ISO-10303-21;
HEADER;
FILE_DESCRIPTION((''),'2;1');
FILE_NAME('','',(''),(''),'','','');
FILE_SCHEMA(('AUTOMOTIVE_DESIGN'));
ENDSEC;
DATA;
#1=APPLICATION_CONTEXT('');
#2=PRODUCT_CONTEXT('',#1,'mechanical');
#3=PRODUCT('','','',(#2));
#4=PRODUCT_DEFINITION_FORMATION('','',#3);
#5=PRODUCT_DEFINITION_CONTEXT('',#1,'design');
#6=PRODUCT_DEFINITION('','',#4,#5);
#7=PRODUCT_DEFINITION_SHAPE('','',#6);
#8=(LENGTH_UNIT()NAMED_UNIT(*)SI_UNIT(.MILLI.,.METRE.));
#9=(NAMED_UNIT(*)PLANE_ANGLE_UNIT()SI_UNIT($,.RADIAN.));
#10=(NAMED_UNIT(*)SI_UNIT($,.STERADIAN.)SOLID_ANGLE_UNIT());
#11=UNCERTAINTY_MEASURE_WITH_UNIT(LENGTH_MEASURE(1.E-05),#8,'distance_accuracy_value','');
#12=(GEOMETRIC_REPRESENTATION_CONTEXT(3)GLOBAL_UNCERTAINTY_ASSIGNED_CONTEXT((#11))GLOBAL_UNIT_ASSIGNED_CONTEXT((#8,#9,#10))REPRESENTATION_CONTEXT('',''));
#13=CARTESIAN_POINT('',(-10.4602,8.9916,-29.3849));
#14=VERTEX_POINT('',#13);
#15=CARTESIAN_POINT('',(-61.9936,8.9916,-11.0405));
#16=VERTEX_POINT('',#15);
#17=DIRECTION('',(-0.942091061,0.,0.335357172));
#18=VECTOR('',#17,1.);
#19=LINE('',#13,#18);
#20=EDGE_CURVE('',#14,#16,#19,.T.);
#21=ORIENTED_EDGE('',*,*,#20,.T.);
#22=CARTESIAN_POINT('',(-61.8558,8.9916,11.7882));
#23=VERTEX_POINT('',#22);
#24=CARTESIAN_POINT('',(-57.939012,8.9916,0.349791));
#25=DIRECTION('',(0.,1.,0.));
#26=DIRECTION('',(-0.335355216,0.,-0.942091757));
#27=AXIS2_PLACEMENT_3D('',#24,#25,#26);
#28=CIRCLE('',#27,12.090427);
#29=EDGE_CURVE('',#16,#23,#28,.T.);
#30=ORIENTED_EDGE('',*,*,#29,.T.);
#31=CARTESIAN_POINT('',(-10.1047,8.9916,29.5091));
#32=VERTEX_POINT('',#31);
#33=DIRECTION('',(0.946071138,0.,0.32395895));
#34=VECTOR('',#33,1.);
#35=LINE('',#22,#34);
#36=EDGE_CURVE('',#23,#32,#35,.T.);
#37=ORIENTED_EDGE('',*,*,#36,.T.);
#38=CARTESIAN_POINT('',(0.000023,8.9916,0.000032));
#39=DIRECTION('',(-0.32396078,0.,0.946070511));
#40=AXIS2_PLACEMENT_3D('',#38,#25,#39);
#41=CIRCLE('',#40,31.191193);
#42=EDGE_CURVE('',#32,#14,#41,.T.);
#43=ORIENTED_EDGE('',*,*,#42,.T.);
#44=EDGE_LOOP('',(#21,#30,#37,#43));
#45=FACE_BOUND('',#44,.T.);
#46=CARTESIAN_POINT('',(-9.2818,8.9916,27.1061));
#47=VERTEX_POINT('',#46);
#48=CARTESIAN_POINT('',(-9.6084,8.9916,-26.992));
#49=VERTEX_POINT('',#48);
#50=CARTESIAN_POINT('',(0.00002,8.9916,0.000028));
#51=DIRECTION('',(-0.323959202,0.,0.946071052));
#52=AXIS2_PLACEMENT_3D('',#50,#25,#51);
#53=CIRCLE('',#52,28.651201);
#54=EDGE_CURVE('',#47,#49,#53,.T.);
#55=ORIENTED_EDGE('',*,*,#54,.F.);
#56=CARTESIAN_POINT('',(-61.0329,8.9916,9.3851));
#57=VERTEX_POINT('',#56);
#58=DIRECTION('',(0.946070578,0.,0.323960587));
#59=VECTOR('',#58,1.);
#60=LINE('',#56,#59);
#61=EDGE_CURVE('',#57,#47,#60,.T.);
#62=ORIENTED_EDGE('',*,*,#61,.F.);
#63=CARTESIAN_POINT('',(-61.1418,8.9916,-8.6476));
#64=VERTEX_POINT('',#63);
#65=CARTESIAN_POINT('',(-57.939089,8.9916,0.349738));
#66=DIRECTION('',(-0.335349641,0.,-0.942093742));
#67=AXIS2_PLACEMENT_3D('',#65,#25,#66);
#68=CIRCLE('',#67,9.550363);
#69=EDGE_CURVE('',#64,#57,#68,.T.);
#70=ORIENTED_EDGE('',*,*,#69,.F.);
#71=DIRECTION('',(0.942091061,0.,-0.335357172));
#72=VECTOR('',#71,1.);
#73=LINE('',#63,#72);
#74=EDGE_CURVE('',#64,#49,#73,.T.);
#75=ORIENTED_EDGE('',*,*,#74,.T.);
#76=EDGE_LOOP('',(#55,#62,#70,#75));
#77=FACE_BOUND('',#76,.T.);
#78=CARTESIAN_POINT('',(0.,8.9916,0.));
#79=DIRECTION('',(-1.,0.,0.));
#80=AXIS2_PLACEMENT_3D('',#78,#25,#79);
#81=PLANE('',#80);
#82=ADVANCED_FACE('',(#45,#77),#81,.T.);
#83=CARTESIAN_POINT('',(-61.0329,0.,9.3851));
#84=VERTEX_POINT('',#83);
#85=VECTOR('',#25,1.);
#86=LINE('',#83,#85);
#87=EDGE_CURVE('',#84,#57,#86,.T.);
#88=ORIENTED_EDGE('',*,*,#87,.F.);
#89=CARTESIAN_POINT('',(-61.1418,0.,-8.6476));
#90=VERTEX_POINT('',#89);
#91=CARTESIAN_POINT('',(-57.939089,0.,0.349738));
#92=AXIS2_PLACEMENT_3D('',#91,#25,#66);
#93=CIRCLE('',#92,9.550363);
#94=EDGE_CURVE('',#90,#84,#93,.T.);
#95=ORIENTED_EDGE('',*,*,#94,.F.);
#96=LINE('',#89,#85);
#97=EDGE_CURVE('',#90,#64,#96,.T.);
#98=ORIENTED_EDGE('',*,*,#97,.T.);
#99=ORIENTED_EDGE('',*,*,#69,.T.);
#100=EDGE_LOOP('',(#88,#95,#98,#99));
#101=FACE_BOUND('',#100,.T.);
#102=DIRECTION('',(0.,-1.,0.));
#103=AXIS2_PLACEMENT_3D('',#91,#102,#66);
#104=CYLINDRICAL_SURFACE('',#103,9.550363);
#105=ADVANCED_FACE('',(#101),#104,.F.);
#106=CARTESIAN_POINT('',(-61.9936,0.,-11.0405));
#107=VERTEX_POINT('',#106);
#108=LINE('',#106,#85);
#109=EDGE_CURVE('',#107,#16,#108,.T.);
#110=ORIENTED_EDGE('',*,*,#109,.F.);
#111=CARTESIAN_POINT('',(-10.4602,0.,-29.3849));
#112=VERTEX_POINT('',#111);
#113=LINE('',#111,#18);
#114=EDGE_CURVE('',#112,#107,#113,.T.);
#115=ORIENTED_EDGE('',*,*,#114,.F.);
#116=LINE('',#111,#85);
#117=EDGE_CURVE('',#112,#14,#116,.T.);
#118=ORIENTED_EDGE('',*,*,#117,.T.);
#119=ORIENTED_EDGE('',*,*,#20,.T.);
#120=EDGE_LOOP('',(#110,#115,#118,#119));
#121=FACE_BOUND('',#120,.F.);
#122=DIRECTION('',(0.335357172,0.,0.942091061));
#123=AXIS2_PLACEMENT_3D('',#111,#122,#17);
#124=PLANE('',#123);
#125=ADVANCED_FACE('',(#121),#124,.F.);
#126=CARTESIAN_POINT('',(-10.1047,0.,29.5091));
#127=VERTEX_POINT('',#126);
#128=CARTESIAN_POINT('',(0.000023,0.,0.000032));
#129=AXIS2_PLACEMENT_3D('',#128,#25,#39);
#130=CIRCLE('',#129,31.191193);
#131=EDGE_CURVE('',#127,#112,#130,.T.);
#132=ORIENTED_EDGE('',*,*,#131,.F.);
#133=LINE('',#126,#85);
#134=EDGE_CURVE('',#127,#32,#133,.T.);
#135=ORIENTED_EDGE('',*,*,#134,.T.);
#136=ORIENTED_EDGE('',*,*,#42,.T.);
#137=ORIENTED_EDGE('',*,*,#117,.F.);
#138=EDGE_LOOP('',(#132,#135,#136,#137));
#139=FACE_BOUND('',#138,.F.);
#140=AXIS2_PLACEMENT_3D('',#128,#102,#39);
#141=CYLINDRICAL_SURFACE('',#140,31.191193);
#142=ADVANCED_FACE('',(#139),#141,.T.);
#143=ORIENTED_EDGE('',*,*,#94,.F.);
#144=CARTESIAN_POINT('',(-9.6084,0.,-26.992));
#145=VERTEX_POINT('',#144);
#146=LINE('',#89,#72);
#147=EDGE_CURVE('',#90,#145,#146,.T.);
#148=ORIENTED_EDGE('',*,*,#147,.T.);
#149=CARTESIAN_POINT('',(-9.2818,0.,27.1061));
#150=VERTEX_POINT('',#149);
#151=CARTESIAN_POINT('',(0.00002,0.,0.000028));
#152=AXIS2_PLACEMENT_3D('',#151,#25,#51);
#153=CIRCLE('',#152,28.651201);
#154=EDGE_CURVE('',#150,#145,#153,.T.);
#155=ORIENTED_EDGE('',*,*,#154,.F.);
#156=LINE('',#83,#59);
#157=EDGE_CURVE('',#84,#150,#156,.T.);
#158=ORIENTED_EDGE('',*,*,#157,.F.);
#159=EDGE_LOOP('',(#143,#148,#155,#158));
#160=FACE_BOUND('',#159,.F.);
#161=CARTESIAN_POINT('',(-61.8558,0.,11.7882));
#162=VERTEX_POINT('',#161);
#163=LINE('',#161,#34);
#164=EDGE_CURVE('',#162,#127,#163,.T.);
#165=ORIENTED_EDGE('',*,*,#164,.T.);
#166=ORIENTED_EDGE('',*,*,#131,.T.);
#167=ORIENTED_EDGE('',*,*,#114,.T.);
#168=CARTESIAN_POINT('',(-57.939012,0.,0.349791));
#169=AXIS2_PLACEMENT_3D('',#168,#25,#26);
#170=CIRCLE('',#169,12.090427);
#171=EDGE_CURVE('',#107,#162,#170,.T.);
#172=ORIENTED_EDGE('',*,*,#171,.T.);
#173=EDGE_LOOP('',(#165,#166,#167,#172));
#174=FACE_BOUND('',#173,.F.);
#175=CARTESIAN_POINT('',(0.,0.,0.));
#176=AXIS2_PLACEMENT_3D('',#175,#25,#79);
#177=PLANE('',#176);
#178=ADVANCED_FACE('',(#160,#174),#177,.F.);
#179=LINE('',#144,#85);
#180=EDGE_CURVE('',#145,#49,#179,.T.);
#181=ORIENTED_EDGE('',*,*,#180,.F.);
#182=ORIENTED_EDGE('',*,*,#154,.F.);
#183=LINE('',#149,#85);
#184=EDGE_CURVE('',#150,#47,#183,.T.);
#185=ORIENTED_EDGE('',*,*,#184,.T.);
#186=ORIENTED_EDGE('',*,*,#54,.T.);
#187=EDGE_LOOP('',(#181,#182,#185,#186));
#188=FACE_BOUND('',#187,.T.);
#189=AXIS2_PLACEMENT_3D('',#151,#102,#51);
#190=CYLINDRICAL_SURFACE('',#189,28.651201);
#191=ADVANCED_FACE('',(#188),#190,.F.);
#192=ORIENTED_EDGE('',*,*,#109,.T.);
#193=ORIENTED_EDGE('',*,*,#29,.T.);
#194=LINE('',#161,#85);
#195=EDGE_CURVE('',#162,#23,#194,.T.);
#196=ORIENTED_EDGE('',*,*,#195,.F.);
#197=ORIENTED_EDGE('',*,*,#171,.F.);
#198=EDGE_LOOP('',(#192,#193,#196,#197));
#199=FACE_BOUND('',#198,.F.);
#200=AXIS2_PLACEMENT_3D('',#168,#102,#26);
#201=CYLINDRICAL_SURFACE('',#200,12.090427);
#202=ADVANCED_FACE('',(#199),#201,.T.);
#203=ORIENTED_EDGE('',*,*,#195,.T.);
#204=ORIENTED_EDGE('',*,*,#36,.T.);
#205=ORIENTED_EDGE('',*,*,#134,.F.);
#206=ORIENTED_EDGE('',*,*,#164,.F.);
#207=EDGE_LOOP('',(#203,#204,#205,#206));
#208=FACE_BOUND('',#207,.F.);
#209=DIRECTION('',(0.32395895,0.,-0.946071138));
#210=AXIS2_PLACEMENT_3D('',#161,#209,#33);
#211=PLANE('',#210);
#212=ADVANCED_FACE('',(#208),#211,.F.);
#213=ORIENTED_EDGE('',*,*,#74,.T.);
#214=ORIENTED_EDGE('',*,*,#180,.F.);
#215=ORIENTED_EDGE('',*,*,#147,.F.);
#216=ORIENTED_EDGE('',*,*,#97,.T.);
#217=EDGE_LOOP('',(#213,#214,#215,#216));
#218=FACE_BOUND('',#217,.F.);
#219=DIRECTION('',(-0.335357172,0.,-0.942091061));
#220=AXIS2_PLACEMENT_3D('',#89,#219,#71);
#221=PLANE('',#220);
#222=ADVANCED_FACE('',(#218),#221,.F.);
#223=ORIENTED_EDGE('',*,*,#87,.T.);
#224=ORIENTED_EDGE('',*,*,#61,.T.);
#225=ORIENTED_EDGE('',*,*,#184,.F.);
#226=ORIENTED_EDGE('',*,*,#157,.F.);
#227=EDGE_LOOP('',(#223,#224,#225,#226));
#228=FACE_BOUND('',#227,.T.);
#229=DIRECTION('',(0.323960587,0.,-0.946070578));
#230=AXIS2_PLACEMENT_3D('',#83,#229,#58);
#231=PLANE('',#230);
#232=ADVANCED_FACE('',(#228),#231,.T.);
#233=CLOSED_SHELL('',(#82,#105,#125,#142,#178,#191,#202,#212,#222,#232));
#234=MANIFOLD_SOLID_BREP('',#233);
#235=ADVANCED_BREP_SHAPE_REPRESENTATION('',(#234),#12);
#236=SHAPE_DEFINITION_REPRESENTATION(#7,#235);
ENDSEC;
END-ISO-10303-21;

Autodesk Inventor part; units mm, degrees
ref_plane "YZ Plane" through (0, 0, 0) normal (1, 0, 0) x (0, 1, 0)
ref_plane "XZ Plane" through (0, 0, 0) normal (0, 1, 0) x (-1, 0, 0)
ref_plane "XY Plane" through (0, 0, 0) normal (0, 0, 1) x (1, 0, 0)
sketch "Sketch1" plane through (0, 0, 0) normal (0, 1, 0) x (-1, 0, 0)
  circle A0 centre (0, 0) radius 28.6512 construction
  line L0 (0, 0) -> (0, 28.6512) construction
  line L1 (0, 0) -> (57.939, 0.3498) construction
  circle A1 centre (57.939, 0.3498) radius 9.5504 construction
  line L2 (61.0329, 9.3851) -> (9.2818, 27.1061)
  line L3 (61.1418, -8.6476) -> (9.6084, -26.992)
  arc A2 (61.1418, -8.6476) -> (61.0329, 9.3851) centre (57.939, 0.3498) ccw
  arc A3 (9.2818, 27.1061) -> (9.6084, -26.992) centre (0, 0) ccw
  line L4 (10.4602, -29.3849) -> (61.9936, -11.0405)
  arc A4 (61.9936, -11.0405) -> (61.8558, 11.7882) centre (57.939, 0.3498) ccw
  line L5 (61.8558, 11.7882) -> (10.1047, 29.5091)
  arc A5 (10.1047, 29.5091) -> (10.4602, -29.3849) centre (0, 0) ccw
  dimension "d0" = 57.3024
  dimension "d1" = 57.94
  dimension "d2" = 89.654
  dimension "d3" = 19.1008
  dimension "d4" = 2.54
extrude "Extrusion1" add sketch "Sketch1" along normal blind 8.9916
properties part number "INTK_009_Belt1" material "Rubber, Silicone"
